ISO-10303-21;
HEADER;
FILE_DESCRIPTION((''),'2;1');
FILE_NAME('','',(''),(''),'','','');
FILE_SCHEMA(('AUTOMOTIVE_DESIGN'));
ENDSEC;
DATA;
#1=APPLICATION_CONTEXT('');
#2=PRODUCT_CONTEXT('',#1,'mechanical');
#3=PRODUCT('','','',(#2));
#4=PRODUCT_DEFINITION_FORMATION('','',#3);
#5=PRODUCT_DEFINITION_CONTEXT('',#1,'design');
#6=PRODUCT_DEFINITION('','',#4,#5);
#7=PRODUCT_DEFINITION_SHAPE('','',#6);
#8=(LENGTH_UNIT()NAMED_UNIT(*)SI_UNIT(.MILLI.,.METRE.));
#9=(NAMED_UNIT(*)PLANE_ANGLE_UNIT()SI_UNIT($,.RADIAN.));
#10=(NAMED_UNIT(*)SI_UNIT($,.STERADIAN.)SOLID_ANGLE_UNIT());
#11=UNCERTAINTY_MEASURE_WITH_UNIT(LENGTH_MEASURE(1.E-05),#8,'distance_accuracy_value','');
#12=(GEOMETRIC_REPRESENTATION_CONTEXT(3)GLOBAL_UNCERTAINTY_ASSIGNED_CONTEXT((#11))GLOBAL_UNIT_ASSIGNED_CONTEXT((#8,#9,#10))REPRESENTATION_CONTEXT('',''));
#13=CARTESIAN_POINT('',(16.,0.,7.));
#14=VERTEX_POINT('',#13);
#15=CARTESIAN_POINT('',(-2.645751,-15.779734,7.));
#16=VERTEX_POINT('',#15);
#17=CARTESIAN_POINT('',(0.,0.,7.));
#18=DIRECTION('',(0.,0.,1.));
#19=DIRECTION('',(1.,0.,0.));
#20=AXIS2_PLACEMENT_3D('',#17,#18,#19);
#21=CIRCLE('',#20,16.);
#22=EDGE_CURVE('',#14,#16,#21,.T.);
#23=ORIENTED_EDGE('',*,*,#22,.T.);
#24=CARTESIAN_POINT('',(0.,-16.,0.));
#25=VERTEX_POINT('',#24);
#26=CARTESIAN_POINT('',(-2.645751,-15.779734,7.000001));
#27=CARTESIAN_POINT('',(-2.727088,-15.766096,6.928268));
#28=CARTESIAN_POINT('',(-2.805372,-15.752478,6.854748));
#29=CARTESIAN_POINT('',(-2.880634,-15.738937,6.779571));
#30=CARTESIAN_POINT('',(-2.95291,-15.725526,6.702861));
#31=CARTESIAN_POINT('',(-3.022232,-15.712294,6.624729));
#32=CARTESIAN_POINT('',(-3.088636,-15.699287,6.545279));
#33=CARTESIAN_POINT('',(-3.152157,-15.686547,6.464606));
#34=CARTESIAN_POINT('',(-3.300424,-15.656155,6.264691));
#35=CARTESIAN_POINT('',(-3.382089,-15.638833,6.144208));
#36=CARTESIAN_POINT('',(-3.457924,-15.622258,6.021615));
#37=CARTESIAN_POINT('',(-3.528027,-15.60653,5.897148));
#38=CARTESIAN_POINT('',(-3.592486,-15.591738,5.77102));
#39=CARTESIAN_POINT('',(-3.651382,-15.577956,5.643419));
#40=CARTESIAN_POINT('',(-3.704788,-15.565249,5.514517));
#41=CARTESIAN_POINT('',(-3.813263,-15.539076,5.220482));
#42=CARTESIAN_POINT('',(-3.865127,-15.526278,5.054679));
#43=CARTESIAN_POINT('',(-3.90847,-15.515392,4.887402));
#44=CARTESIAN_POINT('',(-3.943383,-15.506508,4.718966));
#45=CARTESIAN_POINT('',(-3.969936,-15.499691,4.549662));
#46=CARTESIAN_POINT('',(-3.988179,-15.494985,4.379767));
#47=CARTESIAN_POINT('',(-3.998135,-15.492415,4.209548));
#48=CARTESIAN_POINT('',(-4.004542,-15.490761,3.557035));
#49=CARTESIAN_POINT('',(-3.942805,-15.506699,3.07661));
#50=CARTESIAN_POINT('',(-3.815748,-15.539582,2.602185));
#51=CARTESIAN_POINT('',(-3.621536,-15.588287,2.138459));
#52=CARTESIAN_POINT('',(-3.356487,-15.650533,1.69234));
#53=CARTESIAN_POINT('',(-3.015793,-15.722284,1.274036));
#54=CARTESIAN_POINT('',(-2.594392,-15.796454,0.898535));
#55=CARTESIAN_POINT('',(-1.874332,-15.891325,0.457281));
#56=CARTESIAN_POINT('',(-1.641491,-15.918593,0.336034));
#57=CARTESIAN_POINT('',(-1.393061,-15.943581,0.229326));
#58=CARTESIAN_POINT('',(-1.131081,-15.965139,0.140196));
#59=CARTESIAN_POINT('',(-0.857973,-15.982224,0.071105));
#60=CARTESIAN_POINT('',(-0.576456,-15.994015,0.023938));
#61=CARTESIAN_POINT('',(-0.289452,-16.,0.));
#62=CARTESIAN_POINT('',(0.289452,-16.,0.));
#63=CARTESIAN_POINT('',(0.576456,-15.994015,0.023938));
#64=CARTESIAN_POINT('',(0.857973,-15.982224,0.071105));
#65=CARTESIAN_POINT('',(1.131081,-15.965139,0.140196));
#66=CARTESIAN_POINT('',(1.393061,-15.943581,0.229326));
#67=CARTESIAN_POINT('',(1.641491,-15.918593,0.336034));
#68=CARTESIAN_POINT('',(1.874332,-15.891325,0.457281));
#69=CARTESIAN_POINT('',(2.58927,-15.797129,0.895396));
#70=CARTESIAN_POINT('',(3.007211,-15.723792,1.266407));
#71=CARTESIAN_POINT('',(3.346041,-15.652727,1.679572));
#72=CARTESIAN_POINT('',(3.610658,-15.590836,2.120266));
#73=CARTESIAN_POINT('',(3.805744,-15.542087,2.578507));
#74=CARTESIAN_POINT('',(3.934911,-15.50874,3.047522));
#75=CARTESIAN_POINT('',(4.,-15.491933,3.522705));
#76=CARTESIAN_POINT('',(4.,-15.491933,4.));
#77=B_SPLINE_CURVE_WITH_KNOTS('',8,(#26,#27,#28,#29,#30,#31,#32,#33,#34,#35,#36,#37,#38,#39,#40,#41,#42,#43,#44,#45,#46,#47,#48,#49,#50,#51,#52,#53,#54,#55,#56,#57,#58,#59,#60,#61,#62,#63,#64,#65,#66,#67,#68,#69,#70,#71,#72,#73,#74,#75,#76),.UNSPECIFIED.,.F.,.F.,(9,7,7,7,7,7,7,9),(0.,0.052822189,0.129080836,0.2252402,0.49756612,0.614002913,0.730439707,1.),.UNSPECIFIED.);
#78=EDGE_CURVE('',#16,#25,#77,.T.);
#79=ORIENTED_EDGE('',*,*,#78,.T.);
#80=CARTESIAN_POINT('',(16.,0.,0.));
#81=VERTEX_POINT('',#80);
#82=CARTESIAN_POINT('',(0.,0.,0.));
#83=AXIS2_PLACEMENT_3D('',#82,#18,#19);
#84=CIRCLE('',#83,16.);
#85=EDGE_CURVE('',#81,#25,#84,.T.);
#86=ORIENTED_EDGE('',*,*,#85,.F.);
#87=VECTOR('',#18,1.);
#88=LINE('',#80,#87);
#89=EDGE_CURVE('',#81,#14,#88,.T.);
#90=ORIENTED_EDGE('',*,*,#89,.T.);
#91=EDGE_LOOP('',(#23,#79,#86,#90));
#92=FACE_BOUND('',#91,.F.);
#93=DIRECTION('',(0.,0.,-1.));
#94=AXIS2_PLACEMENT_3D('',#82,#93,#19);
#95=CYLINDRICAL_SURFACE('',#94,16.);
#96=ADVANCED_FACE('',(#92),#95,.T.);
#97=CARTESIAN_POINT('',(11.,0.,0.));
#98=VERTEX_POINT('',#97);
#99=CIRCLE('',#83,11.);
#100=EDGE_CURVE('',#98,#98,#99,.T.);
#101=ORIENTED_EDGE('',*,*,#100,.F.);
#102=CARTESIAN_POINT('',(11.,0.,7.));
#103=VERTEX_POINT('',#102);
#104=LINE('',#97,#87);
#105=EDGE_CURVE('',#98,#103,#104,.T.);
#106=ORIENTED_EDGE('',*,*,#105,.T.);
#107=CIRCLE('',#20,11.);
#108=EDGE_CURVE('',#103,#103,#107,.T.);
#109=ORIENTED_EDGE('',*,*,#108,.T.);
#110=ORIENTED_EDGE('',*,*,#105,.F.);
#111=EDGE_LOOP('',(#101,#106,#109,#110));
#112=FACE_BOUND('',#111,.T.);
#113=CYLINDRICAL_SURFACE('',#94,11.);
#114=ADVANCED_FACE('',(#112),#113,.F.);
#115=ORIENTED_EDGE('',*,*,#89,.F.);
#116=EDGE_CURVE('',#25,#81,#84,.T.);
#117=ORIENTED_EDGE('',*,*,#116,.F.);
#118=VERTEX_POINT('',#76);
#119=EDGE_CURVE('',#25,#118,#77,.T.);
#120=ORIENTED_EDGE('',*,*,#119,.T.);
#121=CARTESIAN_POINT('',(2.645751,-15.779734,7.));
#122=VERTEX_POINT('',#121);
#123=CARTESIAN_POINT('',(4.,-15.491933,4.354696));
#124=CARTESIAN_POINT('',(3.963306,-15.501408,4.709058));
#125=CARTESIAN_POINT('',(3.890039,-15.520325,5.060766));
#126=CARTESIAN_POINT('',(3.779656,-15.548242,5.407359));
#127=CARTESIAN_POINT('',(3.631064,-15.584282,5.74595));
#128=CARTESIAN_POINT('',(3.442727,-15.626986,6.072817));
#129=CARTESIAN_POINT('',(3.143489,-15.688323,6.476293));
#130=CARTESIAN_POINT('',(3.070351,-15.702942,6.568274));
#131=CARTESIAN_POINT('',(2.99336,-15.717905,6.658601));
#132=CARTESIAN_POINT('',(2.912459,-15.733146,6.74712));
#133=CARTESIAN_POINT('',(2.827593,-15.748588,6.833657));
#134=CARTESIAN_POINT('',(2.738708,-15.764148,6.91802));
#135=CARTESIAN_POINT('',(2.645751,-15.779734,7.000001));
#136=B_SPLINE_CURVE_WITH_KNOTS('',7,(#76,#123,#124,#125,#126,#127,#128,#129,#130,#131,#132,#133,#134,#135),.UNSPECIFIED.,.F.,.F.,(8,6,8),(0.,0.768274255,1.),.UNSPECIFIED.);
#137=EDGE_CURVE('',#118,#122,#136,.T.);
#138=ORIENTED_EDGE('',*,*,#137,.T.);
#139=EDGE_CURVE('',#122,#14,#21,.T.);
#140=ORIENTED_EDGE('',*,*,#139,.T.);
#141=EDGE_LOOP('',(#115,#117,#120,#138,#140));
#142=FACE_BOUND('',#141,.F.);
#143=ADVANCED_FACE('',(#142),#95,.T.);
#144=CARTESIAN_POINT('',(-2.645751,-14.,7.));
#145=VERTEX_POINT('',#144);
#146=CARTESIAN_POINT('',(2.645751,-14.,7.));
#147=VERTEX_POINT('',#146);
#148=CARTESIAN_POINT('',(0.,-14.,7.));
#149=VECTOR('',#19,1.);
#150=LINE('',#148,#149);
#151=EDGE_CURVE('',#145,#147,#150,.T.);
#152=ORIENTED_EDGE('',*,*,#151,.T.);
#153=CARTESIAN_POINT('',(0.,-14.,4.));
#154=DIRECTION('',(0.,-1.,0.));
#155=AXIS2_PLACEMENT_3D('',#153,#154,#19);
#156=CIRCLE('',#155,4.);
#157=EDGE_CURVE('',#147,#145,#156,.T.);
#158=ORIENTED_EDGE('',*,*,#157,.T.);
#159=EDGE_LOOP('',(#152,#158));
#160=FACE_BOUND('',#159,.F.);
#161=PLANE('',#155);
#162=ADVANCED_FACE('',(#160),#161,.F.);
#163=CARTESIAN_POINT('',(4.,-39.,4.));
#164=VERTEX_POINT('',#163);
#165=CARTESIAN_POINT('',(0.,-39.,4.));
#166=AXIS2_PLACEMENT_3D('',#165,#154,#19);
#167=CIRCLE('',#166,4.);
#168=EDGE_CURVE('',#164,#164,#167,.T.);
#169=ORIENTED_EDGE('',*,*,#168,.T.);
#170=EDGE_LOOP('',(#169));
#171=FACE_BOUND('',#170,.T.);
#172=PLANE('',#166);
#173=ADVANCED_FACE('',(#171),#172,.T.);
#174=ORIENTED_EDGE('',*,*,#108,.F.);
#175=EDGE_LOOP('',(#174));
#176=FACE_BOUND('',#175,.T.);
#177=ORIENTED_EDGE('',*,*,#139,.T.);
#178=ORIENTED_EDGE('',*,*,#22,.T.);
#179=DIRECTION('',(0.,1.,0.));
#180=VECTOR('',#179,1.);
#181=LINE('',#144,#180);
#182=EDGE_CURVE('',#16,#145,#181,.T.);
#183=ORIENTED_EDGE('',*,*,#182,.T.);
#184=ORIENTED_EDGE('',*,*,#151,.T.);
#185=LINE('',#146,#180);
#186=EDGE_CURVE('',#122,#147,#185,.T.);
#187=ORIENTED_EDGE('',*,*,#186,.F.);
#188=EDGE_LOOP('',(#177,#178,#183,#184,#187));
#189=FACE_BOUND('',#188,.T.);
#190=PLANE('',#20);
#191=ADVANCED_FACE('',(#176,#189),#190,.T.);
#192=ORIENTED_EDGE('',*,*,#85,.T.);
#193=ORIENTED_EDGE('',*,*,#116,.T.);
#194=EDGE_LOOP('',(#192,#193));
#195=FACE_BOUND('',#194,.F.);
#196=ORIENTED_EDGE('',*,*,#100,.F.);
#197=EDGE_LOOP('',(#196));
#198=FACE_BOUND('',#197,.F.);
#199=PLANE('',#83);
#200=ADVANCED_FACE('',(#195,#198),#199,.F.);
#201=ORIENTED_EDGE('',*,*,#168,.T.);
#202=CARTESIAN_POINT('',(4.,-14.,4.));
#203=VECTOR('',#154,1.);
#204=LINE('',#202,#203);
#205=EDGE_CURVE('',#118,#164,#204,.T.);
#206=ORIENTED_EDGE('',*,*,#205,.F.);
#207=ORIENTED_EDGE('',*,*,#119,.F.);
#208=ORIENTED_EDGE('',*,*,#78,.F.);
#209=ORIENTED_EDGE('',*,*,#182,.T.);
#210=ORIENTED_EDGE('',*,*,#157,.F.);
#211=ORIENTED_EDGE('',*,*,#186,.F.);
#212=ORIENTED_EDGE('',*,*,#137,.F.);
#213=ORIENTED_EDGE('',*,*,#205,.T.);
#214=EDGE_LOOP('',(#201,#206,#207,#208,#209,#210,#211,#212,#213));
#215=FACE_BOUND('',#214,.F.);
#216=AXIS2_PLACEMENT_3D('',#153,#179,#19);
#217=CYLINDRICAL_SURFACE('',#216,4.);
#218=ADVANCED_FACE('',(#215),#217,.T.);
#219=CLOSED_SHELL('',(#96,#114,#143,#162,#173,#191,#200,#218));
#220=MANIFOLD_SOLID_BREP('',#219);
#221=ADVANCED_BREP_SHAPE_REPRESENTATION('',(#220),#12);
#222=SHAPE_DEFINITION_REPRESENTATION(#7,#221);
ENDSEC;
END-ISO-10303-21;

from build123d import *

# Parameters (mm, degrees)
SKETCH_R     = 16
SKETCH_R_2   = 11
PAD_DEPTH    = 7
SKETCH001_R  = 4
PAD001_DEPTH = 25


with BuildPart() as part:
    # Sketch → Pad (new body)
    with BuildSketch(Plane.XY):
        Circle(SKETCH_R)
        Circle(SKETCH_R_2, mode=Mode.SUBTRACT)
    extrude(amount=PAD_DEPTH)

    # Sketch001 → Pad001 (join)
    with BuildSketch(Plane.XZ.offset(14)):
        with Locations((0, 4)):
            Circle(SKETCH001_R)
    extrude(amount=PAD001_DEPTH)


solid = part.part
